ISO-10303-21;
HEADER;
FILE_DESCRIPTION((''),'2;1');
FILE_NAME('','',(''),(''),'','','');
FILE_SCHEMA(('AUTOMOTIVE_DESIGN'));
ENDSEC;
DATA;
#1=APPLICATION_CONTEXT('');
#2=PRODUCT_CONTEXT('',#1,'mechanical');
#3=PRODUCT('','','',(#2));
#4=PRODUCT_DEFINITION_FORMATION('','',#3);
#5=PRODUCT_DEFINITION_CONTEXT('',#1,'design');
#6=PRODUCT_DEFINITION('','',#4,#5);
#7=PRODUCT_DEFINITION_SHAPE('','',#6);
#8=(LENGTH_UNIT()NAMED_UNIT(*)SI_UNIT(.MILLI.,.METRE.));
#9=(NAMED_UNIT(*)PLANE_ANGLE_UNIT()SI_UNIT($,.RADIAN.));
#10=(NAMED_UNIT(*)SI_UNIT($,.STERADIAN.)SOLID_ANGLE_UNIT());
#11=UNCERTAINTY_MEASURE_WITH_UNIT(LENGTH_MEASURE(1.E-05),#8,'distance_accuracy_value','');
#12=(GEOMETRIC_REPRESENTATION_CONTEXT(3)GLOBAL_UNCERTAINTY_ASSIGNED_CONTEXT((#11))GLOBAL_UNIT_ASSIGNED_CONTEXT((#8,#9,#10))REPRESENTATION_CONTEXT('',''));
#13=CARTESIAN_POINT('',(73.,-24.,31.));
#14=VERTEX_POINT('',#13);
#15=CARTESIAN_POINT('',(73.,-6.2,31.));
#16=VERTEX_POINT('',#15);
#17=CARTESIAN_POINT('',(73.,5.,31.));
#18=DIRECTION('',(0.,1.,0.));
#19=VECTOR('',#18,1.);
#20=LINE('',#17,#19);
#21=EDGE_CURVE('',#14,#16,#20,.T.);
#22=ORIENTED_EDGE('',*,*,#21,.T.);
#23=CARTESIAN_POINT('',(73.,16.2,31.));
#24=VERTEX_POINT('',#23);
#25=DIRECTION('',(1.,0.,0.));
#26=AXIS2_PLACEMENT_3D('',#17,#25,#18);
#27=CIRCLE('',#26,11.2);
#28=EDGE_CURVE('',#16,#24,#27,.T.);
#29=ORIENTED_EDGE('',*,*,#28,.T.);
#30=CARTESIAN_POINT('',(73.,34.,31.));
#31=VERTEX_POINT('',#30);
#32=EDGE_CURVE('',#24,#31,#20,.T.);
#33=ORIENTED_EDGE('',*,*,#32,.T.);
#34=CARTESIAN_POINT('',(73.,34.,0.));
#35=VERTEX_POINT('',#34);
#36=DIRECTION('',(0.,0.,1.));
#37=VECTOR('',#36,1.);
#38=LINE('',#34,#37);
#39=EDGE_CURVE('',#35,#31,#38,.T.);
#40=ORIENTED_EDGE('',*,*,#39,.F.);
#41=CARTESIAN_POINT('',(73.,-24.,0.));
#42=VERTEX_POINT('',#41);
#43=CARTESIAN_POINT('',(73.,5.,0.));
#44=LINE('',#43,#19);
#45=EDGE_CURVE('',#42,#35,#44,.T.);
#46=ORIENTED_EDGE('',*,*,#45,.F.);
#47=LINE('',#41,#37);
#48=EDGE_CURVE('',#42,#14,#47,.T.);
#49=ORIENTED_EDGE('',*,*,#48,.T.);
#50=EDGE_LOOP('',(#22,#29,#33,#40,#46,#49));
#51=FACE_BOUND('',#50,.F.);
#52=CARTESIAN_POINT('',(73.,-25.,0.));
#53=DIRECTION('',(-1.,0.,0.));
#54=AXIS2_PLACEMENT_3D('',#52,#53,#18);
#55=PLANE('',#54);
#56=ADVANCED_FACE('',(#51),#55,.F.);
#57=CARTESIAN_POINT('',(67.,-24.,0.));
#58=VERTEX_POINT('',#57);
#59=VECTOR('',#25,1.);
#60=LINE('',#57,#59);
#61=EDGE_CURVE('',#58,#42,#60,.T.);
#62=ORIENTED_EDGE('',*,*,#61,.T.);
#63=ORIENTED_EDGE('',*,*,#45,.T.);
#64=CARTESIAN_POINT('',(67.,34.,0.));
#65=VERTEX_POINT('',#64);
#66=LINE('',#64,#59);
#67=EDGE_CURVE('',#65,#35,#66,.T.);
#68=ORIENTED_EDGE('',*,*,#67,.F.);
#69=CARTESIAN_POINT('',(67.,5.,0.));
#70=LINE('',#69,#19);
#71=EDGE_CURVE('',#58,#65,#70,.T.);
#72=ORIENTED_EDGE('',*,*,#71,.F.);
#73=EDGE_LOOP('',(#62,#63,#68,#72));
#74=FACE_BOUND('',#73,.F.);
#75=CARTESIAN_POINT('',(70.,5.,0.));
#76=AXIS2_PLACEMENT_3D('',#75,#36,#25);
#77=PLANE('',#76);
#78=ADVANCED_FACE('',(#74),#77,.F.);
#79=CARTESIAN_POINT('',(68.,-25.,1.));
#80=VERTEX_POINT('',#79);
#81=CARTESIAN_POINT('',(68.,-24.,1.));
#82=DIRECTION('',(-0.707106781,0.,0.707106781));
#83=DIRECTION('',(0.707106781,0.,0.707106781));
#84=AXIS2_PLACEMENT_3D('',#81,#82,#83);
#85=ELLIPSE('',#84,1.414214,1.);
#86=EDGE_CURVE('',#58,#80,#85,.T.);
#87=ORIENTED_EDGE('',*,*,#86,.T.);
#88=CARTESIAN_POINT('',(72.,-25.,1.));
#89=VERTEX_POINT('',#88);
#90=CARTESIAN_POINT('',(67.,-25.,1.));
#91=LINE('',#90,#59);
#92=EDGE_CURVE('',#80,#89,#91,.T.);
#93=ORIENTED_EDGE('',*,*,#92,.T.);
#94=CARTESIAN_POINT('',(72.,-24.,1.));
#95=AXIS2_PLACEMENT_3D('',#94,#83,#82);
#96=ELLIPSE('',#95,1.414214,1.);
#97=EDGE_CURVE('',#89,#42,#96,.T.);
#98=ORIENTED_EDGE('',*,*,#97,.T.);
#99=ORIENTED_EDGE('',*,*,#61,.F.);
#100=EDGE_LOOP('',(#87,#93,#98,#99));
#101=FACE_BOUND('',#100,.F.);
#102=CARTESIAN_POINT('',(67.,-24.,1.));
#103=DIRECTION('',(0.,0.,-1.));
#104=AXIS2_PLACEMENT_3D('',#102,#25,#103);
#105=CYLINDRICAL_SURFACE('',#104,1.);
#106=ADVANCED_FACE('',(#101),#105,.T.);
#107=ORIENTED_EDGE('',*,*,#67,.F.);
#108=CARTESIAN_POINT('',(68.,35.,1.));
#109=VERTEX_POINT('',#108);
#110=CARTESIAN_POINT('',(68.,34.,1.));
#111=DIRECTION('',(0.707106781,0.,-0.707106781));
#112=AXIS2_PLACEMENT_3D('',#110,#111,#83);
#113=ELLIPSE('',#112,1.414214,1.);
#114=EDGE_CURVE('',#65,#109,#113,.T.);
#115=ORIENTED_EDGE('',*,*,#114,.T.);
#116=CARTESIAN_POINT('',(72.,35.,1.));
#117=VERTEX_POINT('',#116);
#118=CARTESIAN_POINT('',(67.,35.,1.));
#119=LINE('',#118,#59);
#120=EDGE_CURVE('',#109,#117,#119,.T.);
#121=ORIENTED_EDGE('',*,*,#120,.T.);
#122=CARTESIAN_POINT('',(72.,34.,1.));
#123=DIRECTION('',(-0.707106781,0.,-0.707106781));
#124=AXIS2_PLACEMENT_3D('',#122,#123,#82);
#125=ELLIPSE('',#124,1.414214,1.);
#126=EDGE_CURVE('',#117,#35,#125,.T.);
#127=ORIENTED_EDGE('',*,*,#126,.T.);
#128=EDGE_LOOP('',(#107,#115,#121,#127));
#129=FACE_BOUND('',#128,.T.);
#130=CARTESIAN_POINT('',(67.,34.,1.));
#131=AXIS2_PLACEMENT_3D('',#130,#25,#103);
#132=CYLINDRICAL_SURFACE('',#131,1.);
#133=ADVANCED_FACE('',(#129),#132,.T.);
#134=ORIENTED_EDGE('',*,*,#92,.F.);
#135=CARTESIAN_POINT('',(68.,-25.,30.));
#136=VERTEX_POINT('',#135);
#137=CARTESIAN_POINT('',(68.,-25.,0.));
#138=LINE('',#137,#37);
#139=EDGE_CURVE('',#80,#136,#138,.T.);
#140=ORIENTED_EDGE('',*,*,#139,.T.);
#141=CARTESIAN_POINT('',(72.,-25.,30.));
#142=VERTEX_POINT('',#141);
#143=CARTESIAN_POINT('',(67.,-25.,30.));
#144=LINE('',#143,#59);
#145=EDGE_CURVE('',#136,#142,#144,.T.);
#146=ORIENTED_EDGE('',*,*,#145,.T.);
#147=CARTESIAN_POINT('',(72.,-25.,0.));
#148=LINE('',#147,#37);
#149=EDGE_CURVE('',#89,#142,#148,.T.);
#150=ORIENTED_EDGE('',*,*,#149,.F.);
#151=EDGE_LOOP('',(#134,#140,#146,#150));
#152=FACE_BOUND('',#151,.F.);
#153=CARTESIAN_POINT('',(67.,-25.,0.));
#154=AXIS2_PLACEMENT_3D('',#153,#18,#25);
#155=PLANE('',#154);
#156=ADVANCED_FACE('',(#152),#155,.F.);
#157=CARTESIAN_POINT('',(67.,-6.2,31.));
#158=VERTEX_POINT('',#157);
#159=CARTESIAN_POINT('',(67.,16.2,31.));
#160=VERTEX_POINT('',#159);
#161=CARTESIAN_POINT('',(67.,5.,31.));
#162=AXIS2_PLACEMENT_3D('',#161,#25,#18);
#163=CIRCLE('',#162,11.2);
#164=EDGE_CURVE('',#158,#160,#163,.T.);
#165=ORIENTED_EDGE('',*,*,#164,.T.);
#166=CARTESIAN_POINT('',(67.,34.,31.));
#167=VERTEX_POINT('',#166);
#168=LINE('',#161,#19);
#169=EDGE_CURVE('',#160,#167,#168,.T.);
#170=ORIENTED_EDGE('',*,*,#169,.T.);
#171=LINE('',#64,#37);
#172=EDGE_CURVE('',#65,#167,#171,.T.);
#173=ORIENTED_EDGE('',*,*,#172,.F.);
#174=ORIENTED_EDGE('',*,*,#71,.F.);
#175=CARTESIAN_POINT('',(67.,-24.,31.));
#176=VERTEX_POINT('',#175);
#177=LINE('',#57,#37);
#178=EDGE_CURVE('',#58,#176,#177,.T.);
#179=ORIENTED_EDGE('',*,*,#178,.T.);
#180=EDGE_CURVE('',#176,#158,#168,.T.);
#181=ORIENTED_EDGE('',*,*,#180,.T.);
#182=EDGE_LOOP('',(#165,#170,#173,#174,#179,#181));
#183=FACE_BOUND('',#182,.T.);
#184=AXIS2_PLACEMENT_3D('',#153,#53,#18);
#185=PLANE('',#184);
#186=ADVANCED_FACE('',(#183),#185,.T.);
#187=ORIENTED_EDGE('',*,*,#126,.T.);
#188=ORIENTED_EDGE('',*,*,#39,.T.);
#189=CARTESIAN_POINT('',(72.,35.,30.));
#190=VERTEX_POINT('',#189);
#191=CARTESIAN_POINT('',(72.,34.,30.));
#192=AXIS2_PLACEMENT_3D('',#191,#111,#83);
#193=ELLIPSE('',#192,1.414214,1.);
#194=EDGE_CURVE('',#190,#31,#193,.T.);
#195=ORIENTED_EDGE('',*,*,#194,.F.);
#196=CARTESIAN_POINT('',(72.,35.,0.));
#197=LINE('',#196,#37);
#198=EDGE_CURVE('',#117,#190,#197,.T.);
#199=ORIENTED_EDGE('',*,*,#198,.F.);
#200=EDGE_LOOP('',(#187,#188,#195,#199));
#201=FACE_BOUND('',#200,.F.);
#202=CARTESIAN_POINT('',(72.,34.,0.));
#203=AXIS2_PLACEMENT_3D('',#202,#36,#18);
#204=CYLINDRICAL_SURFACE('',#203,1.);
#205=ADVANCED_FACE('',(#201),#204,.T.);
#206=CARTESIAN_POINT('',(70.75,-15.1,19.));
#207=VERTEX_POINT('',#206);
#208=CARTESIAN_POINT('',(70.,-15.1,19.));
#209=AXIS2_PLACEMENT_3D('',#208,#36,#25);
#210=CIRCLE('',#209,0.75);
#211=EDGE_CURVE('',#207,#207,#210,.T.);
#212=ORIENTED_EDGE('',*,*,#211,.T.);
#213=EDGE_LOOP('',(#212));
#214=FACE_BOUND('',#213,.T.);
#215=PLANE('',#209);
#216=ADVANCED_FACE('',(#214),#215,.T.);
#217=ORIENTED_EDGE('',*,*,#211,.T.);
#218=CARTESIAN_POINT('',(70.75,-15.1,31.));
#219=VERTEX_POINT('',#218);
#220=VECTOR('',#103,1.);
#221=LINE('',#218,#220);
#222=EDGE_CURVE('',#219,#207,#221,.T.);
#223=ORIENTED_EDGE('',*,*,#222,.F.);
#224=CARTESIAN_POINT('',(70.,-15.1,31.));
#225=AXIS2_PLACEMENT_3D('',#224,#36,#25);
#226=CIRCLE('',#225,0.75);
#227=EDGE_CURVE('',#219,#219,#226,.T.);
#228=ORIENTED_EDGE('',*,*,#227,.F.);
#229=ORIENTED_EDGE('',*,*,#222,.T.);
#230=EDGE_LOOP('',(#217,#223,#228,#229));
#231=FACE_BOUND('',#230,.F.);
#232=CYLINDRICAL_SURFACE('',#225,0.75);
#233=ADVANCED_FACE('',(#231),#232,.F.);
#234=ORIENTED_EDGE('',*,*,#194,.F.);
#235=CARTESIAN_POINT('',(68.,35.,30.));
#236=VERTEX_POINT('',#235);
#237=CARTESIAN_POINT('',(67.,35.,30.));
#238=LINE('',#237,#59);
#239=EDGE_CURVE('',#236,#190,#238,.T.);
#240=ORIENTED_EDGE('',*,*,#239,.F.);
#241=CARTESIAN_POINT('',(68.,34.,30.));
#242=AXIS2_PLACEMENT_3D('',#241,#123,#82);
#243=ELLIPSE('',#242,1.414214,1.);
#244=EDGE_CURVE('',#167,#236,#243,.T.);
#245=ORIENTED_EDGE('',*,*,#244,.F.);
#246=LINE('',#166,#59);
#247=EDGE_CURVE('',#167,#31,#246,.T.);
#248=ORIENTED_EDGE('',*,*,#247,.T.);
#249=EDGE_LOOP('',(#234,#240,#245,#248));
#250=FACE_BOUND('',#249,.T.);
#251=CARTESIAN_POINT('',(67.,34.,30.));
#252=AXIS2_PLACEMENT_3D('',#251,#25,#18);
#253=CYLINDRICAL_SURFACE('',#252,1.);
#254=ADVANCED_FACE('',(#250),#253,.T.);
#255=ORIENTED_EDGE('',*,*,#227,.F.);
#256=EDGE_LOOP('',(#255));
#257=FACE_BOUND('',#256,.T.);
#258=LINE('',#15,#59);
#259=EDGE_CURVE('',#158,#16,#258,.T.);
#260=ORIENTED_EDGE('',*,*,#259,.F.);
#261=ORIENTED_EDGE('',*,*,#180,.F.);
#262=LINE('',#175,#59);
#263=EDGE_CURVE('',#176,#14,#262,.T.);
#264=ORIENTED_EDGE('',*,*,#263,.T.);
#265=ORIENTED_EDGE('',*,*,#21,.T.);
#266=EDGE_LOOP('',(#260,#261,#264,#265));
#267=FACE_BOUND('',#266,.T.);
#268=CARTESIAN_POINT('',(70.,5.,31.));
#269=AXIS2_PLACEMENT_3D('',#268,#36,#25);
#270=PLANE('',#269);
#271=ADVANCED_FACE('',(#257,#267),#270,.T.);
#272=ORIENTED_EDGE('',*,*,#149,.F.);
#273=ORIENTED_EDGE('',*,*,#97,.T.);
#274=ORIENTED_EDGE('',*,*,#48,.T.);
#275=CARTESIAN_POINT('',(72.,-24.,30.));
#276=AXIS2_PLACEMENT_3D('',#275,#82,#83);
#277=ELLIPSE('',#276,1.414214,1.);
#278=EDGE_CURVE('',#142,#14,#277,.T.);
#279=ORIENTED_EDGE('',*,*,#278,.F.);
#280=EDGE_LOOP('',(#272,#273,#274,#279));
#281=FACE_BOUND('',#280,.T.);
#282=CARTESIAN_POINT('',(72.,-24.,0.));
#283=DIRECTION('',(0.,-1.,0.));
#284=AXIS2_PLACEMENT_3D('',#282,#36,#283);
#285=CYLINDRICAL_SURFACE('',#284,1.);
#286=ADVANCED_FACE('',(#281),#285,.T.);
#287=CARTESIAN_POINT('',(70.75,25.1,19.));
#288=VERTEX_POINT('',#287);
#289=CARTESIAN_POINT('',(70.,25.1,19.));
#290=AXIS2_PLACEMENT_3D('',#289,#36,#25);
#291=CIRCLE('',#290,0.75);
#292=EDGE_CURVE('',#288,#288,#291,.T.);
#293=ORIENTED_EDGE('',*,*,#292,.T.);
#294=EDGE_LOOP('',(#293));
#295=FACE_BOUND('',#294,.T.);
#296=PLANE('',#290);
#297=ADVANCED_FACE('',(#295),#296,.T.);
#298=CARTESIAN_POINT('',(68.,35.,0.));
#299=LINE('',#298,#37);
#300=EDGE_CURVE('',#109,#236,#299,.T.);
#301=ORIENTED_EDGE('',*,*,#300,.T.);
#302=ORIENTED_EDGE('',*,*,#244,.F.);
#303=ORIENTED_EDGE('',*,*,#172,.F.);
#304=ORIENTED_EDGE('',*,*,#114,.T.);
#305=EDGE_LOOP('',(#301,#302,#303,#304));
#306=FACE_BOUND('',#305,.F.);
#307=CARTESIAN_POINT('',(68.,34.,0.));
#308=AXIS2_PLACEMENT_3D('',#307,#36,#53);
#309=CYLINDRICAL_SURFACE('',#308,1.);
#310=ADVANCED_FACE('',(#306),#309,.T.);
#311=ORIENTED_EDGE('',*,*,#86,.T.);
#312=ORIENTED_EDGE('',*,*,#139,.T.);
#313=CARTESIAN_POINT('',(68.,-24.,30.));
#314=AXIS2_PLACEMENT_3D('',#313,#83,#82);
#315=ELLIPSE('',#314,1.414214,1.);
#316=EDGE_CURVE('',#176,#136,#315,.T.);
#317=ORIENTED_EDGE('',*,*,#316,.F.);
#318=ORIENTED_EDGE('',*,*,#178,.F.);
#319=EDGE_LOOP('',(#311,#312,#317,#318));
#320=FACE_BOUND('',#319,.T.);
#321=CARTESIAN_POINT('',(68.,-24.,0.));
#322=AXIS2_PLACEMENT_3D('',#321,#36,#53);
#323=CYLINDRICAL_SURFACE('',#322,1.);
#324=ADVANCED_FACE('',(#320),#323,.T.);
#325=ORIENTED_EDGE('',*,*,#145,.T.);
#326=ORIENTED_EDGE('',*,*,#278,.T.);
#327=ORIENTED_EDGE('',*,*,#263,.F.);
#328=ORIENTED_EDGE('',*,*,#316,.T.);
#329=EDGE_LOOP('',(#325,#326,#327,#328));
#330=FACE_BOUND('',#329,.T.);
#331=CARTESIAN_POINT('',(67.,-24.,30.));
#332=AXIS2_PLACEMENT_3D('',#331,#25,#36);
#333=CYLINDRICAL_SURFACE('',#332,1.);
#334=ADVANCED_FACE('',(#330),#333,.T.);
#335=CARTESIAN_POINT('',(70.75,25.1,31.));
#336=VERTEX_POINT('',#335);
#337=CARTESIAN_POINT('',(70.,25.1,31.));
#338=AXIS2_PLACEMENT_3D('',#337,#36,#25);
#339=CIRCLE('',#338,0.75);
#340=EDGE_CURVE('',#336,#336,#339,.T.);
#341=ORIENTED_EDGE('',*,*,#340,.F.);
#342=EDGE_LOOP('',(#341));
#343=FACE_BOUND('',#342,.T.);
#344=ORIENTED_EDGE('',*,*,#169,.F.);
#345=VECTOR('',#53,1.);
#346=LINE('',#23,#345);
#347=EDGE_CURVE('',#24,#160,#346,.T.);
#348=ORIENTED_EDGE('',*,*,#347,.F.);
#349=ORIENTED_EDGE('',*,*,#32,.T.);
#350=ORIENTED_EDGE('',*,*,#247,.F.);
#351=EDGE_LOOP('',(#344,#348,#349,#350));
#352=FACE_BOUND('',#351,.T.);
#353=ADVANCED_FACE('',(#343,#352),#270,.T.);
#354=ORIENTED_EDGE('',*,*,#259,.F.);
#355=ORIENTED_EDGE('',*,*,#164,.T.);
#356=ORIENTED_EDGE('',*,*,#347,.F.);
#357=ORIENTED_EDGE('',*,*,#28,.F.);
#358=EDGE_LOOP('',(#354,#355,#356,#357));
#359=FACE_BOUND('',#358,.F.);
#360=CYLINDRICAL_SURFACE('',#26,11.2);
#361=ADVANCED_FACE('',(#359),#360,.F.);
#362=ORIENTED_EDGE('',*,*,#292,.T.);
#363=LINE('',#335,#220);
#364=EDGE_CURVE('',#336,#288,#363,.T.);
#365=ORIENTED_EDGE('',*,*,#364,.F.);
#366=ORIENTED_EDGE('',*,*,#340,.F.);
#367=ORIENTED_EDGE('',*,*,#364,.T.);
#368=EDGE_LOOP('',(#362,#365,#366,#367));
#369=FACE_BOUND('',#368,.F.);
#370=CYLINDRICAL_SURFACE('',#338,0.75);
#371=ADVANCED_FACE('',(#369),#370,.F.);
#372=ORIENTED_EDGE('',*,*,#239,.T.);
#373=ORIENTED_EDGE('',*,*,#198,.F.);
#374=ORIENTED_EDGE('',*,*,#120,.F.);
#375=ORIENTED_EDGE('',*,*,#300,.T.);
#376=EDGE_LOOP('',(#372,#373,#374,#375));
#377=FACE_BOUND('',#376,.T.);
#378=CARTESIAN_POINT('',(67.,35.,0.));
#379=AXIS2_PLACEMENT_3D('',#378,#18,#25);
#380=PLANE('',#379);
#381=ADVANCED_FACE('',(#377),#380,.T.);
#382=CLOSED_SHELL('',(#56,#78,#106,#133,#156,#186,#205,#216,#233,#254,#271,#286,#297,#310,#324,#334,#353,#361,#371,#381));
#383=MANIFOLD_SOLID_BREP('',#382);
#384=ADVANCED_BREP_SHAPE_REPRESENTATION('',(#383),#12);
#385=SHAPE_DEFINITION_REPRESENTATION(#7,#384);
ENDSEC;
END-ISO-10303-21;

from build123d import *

# Parameters (mm, degrees)
SKETCH020_W     = 6
SKETCH020_H     = 60
PAD004_DEPTH    = 31
SKETCH021_R     = 11.2
POCKET_DEPTH    = 6.001
FILLET004_R     = 1
SKETCH027_R     = 0.75
POCKET009_DEPTH = 12


with BuildPart() as part:
    # Sketch020 → Pad004 (new body)
    with BuildSketch(Plane.XY):
        with Locations((70, 5)):
            Rectangle(SKETCH020_W, SKETCH020_H)
    extrude(amount=PAD004_DEPTH)

    # Sketch021 → Pocket (cut, through all)
    with BuildSketch(Plane.YZ.offset(73)):
        with Locations((5, 31)):
            Circle(SKETCH021_R)
    extrude(amount=-POCKET_DEPTH, mode=Mode.SUBTRACT)

    # Fillet004
    fillet004_edges = [part.edges().sort_by_distance(p)[0] for p in [
        (73, -25, 15.5),
        (67, -25, 15.5),
        (70, -25, 0),
        (70, -25, 31),
        (67, 35, 15.5),
        (73, 35, 15.5),
        (70, 35, 0),
        (70, 35, 31),
    ]]
    fillet(fillet004_edges, radius=FILLET004_R)

    # Sketch027 → Pocket009 (cut)
    with BuildSketch(Plane.XY.offset(31)):
        with Locations((70, 25.1)):
            Circle(SKETCH027_R)
        with Locations((70, -15.1)):
            Circle(SKETCH027_R)
    extrude(amount=-POCKET009_DEPTH, mode=Mode.SUBTRACT)


solid = part.part
